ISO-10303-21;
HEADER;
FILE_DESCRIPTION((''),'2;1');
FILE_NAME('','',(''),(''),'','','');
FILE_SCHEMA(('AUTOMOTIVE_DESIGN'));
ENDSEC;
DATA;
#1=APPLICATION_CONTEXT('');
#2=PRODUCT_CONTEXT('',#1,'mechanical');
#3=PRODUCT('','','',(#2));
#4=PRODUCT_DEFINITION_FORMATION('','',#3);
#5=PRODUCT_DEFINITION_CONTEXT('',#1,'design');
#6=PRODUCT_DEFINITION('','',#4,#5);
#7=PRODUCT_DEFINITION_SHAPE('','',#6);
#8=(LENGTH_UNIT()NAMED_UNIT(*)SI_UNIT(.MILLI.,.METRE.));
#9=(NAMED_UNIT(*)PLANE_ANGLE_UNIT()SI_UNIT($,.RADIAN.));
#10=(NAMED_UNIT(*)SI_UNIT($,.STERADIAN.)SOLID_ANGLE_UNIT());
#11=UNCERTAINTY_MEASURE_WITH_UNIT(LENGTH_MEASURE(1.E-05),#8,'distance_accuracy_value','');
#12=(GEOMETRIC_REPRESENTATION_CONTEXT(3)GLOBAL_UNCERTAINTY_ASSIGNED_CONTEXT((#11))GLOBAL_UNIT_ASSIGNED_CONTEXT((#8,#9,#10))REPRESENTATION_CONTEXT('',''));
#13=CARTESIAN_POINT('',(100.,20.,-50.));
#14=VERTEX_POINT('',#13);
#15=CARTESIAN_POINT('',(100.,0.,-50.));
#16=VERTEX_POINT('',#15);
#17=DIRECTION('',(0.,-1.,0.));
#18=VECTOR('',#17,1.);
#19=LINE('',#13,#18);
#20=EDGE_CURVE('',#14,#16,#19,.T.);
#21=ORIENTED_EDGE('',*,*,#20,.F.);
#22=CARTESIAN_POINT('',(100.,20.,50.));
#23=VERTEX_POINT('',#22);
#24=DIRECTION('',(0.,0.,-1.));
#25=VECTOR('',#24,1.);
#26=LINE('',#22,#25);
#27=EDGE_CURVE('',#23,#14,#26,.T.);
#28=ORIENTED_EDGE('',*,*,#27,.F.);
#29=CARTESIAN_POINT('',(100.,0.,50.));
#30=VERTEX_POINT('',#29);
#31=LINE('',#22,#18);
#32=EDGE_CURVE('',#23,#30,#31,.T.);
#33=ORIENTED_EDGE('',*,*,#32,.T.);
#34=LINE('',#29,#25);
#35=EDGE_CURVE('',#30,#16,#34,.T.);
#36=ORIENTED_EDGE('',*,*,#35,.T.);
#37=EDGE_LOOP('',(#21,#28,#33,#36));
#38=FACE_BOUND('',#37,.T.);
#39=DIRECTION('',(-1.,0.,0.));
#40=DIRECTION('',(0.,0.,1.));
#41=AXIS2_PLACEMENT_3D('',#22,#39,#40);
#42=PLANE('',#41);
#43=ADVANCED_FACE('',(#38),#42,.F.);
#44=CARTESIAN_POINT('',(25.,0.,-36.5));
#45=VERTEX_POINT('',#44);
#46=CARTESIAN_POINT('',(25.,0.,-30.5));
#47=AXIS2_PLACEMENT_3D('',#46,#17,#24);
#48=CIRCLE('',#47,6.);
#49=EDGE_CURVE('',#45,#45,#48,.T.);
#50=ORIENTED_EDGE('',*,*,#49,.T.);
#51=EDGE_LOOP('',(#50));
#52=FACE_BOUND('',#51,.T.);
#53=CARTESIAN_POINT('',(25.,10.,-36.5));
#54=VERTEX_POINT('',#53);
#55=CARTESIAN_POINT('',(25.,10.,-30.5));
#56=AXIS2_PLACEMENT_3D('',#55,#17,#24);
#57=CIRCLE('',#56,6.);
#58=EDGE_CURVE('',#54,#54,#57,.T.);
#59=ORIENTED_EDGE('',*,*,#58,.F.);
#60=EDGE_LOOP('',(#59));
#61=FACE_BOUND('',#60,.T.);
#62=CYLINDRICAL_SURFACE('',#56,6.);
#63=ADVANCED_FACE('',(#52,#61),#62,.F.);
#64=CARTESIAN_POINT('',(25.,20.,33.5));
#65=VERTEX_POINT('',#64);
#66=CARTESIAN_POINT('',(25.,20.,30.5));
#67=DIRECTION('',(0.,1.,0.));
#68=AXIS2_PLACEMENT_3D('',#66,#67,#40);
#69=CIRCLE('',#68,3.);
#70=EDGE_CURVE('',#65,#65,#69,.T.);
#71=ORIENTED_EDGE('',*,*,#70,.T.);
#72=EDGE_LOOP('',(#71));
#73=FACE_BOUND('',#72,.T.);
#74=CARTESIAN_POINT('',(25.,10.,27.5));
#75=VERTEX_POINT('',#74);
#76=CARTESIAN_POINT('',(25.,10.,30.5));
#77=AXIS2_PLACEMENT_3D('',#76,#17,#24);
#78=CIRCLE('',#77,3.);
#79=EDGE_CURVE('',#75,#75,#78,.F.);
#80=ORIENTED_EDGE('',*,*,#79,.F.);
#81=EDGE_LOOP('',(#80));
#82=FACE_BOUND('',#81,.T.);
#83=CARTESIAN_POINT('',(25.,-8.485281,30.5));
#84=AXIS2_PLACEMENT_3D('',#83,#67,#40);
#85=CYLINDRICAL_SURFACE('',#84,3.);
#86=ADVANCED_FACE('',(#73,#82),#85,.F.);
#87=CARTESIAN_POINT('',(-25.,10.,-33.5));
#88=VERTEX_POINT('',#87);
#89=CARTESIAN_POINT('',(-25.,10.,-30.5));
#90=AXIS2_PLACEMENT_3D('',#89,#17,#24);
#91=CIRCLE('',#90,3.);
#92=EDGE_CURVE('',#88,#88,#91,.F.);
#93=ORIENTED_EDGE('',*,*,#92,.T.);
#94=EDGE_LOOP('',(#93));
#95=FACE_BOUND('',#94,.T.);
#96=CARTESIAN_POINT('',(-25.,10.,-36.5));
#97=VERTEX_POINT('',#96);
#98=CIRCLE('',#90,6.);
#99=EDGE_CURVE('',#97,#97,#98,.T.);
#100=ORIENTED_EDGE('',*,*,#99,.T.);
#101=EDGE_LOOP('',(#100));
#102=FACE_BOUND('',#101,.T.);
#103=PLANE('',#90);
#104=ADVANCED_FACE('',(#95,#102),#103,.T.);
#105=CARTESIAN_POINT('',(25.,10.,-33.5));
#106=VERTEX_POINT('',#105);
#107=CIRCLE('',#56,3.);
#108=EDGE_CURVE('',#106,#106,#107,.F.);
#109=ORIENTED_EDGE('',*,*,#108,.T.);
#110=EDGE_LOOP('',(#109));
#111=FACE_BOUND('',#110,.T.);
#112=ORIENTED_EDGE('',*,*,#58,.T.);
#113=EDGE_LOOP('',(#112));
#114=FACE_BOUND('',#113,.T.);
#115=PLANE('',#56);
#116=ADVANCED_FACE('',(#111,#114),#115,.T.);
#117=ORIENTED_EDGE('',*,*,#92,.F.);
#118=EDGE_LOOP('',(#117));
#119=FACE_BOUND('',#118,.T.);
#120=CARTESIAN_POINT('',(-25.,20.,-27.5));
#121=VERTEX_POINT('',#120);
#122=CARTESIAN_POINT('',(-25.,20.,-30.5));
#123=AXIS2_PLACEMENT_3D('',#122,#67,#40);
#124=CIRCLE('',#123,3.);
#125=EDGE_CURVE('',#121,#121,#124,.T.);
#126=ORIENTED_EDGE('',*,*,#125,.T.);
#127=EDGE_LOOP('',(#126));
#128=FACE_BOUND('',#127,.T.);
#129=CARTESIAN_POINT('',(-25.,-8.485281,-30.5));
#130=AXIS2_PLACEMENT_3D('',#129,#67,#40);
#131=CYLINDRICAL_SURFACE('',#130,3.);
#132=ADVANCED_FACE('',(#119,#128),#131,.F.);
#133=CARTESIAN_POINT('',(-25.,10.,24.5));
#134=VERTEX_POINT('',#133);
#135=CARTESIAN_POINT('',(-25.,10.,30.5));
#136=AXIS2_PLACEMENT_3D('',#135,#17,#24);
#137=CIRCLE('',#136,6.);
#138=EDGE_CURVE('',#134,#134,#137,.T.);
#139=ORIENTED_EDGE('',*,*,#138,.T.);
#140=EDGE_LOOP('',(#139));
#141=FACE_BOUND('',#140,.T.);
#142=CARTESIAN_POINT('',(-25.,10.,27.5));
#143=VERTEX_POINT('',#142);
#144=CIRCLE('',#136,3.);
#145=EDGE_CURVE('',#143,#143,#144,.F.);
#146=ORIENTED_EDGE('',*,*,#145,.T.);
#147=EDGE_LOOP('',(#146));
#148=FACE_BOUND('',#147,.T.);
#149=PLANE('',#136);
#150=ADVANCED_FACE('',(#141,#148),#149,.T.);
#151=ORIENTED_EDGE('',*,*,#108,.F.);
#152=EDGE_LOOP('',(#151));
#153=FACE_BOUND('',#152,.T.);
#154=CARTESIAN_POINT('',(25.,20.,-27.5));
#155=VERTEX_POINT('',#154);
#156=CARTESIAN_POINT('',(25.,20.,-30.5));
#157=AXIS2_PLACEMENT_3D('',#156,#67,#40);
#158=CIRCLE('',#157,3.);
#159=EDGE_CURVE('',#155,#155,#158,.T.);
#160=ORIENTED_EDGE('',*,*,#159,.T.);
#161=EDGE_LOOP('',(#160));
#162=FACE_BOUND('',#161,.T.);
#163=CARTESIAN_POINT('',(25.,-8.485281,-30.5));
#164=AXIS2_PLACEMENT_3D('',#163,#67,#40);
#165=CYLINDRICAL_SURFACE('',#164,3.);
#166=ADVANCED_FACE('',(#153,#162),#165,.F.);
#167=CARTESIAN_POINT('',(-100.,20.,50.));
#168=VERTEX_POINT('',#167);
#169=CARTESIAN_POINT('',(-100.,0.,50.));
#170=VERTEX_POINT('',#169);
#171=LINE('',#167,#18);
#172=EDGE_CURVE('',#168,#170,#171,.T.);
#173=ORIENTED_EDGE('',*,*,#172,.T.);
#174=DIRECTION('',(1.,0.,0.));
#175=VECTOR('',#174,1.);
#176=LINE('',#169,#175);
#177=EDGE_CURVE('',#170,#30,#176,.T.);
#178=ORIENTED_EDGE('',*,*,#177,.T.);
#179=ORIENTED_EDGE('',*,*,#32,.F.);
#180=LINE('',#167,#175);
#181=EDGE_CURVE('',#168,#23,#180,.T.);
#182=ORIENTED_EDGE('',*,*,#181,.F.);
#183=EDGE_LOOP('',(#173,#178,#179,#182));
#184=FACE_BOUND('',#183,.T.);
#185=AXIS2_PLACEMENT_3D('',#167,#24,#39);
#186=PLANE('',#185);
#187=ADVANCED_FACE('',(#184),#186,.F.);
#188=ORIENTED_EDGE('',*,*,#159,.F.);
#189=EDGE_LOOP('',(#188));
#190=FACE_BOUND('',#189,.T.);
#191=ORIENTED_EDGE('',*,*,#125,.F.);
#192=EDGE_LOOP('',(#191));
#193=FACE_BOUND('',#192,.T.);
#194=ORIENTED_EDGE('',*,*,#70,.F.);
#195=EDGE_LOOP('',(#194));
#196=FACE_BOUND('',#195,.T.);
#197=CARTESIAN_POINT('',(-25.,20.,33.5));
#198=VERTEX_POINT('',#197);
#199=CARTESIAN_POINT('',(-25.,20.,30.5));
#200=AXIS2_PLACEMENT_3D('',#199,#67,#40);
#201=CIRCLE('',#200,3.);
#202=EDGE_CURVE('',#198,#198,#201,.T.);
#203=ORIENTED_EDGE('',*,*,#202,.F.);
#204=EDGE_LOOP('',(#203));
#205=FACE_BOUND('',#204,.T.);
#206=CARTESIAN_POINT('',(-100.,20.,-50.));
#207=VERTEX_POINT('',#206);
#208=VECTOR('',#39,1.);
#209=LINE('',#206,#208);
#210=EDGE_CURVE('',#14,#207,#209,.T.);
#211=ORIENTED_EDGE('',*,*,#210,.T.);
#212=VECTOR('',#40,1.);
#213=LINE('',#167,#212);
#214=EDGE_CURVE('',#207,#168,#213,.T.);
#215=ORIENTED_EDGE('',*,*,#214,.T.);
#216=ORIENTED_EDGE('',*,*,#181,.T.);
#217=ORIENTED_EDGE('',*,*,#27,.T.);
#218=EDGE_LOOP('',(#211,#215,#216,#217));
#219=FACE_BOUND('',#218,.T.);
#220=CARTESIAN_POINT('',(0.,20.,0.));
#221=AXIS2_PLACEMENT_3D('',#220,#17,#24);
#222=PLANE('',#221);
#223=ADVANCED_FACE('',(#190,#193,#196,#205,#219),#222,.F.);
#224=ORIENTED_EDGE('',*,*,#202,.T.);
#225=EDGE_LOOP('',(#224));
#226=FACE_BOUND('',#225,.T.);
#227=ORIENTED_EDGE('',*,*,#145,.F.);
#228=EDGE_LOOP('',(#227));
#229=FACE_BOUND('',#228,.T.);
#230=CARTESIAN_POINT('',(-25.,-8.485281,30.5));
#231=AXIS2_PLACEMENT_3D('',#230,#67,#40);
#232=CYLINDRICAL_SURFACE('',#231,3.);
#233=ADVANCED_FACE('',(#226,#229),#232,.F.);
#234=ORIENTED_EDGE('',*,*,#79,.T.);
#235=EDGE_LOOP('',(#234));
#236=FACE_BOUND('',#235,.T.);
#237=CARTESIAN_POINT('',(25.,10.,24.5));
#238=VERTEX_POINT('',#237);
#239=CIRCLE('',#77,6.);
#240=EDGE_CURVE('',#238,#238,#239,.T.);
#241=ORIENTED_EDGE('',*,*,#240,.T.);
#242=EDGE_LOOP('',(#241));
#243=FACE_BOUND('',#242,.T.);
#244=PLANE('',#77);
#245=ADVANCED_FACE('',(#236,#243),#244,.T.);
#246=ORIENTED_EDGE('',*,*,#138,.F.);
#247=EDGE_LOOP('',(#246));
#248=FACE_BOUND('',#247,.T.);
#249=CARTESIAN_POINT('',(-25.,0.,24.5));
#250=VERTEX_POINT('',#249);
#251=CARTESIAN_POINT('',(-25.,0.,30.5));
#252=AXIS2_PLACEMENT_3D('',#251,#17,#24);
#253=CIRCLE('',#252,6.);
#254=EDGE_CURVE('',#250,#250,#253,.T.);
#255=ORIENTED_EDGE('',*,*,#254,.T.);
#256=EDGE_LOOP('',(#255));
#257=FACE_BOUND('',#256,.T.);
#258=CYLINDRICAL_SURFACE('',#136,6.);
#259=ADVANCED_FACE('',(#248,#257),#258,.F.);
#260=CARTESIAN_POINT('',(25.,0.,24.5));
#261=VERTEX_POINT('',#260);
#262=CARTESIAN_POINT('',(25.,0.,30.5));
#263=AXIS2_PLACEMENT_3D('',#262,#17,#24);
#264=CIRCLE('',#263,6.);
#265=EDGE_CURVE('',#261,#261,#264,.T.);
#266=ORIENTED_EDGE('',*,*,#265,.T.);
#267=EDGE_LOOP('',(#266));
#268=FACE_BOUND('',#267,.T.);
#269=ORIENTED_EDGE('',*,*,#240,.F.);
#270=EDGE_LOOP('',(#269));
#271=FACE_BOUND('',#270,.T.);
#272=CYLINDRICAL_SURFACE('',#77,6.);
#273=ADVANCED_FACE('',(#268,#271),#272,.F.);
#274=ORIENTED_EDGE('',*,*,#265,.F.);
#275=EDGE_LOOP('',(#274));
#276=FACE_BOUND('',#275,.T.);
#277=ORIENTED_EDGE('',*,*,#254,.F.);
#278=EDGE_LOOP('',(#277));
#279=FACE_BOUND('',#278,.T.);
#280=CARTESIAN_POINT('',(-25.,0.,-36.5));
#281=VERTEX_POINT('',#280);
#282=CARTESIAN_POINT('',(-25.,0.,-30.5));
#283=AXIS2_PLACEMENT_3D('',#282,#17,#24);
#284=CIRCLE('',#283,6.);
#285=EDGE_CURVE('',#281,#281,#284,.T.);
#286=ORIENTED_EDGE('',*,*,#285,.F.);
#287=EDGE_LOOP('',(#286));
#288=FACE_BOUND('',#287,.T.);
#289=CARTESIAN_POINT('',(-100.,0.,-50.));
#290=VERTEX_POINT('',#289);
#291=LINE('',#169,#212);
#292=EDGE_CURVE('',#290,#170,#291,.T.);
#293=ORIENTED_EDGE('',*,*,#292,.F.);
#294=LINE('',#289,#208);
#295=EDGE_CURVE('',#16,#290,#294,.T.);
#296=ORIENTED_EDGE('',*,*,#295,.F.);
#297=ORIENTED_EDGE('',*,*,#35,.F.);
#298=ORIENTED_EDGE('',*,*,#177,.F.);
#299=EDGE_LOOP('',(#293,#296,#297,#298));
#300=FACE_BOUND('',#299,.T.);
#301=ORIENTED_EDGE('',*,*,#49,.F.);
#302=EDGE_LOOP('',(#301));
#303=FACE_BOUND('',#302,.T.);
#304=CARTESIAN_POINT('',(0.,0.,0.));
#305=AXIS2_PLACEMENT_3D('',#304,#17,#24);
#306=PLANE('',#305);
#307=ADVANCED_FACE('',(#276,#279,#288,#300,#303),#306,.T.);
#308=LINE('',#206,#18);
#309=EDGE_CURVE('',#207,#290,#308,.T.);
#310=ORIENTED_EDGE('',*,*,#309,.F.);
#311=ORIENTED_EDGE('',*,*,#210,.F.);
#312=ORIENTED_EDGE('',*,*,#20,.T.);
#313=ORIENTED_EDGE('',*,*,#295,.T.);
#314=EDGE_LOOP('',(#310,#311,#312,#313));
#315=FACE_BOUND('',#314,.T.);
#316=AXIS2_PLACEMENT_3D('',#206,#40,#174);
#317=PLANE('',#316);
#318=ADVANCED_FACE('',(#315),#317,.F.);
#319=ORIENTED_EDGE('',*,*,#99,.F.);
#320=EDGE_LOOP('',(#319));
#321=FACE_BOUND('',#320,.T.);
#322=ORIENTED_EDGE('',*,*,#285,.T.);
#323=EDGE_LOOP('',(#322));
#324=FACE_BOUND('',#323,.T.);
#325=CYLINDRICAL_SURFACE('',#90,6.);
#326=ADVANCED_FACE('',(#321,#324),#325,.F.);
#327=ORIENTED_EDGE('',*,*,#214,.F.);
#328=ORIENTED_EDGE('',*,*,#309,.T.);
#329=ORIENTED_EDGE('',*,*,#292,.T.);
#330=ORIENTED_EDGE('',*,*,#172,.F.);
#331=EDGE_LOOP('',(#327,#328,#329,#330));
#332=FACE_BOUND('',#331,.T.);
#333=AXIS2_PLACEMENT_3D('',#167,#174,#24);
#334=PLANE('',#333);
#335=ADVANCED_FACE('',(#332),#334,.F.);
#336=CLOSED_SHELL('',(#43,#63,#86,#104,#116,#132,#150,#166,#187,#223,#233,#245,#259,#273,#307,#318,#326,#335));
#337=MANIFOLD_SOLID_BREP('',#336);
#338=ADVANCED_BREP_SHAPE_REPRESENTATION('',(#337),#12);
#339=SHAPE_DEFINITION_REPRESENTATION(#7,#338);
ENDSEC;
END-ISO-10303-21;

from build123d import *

# Parameters (mm, degrees)
SKETCH1_W           = 200
SKETCH1_H           = 100
BOSS_EXTRUDE1_DEPTH = 20
SKETCH2_R           = 3
CUT_EXTRUDE1_DEPTH  = 20
SKETCH3_R           = 6
CUT_EXTRUDE2_DEPTH  = 10


with BuildPart() as part:
    # Sketch1 → Boss-Extrude1 (new body)
    with BuildSketch(Plane(origin=(0, 0, 0), x_dir=(1, 0, 0), z_dir=(0, 1, 0))):
        Rectangle(SKETCH1_W, SKETCH1_H)
    extrude(amount=BOSS_EXTRUDE1_DEPTH)

    # Sketch2 → Cut-Extrude1 (cut)
    with BuildSketch(Plane(origin=(0, 20, 0), x_dir=(1, 0, 0), z_dir=(0, 1, 0))):
        with Locations((-25, 30.5)):
            Circle(SKETCH2_R)
        with Locations((25, -30.5)):
            Circle(SKETCH2_R)
        with Locations((-25, -30.5)):
            Circle(SKETCH2_R)
        with Locations((25, 30.5)):
            Circle(SKETCH2_R)
    extrude(amount=-CUT_EXTRUDE1_DEPTH, mode=Mode.SUBTRACT)

    # Sketch3 → Cut-Extrude2 (cut)
    with BuildSketch(Plane.XZ):
        with Locations((25, -30.5)):
            Circle(SKETCH3_R)
        with Locations((-25, -30.5)):
            Circle(SKETCH3_R)
        with Locations((25, 30.5)):
            Circle(SKETCH3_R)
        with Locations((-25, 30.5)):
            Circle(SKETCH3_R)
    extrude(amount=-CUT_EXTRUDE2_DEPTH, mode=Mode.SUBTRACT)


solid = part.part
